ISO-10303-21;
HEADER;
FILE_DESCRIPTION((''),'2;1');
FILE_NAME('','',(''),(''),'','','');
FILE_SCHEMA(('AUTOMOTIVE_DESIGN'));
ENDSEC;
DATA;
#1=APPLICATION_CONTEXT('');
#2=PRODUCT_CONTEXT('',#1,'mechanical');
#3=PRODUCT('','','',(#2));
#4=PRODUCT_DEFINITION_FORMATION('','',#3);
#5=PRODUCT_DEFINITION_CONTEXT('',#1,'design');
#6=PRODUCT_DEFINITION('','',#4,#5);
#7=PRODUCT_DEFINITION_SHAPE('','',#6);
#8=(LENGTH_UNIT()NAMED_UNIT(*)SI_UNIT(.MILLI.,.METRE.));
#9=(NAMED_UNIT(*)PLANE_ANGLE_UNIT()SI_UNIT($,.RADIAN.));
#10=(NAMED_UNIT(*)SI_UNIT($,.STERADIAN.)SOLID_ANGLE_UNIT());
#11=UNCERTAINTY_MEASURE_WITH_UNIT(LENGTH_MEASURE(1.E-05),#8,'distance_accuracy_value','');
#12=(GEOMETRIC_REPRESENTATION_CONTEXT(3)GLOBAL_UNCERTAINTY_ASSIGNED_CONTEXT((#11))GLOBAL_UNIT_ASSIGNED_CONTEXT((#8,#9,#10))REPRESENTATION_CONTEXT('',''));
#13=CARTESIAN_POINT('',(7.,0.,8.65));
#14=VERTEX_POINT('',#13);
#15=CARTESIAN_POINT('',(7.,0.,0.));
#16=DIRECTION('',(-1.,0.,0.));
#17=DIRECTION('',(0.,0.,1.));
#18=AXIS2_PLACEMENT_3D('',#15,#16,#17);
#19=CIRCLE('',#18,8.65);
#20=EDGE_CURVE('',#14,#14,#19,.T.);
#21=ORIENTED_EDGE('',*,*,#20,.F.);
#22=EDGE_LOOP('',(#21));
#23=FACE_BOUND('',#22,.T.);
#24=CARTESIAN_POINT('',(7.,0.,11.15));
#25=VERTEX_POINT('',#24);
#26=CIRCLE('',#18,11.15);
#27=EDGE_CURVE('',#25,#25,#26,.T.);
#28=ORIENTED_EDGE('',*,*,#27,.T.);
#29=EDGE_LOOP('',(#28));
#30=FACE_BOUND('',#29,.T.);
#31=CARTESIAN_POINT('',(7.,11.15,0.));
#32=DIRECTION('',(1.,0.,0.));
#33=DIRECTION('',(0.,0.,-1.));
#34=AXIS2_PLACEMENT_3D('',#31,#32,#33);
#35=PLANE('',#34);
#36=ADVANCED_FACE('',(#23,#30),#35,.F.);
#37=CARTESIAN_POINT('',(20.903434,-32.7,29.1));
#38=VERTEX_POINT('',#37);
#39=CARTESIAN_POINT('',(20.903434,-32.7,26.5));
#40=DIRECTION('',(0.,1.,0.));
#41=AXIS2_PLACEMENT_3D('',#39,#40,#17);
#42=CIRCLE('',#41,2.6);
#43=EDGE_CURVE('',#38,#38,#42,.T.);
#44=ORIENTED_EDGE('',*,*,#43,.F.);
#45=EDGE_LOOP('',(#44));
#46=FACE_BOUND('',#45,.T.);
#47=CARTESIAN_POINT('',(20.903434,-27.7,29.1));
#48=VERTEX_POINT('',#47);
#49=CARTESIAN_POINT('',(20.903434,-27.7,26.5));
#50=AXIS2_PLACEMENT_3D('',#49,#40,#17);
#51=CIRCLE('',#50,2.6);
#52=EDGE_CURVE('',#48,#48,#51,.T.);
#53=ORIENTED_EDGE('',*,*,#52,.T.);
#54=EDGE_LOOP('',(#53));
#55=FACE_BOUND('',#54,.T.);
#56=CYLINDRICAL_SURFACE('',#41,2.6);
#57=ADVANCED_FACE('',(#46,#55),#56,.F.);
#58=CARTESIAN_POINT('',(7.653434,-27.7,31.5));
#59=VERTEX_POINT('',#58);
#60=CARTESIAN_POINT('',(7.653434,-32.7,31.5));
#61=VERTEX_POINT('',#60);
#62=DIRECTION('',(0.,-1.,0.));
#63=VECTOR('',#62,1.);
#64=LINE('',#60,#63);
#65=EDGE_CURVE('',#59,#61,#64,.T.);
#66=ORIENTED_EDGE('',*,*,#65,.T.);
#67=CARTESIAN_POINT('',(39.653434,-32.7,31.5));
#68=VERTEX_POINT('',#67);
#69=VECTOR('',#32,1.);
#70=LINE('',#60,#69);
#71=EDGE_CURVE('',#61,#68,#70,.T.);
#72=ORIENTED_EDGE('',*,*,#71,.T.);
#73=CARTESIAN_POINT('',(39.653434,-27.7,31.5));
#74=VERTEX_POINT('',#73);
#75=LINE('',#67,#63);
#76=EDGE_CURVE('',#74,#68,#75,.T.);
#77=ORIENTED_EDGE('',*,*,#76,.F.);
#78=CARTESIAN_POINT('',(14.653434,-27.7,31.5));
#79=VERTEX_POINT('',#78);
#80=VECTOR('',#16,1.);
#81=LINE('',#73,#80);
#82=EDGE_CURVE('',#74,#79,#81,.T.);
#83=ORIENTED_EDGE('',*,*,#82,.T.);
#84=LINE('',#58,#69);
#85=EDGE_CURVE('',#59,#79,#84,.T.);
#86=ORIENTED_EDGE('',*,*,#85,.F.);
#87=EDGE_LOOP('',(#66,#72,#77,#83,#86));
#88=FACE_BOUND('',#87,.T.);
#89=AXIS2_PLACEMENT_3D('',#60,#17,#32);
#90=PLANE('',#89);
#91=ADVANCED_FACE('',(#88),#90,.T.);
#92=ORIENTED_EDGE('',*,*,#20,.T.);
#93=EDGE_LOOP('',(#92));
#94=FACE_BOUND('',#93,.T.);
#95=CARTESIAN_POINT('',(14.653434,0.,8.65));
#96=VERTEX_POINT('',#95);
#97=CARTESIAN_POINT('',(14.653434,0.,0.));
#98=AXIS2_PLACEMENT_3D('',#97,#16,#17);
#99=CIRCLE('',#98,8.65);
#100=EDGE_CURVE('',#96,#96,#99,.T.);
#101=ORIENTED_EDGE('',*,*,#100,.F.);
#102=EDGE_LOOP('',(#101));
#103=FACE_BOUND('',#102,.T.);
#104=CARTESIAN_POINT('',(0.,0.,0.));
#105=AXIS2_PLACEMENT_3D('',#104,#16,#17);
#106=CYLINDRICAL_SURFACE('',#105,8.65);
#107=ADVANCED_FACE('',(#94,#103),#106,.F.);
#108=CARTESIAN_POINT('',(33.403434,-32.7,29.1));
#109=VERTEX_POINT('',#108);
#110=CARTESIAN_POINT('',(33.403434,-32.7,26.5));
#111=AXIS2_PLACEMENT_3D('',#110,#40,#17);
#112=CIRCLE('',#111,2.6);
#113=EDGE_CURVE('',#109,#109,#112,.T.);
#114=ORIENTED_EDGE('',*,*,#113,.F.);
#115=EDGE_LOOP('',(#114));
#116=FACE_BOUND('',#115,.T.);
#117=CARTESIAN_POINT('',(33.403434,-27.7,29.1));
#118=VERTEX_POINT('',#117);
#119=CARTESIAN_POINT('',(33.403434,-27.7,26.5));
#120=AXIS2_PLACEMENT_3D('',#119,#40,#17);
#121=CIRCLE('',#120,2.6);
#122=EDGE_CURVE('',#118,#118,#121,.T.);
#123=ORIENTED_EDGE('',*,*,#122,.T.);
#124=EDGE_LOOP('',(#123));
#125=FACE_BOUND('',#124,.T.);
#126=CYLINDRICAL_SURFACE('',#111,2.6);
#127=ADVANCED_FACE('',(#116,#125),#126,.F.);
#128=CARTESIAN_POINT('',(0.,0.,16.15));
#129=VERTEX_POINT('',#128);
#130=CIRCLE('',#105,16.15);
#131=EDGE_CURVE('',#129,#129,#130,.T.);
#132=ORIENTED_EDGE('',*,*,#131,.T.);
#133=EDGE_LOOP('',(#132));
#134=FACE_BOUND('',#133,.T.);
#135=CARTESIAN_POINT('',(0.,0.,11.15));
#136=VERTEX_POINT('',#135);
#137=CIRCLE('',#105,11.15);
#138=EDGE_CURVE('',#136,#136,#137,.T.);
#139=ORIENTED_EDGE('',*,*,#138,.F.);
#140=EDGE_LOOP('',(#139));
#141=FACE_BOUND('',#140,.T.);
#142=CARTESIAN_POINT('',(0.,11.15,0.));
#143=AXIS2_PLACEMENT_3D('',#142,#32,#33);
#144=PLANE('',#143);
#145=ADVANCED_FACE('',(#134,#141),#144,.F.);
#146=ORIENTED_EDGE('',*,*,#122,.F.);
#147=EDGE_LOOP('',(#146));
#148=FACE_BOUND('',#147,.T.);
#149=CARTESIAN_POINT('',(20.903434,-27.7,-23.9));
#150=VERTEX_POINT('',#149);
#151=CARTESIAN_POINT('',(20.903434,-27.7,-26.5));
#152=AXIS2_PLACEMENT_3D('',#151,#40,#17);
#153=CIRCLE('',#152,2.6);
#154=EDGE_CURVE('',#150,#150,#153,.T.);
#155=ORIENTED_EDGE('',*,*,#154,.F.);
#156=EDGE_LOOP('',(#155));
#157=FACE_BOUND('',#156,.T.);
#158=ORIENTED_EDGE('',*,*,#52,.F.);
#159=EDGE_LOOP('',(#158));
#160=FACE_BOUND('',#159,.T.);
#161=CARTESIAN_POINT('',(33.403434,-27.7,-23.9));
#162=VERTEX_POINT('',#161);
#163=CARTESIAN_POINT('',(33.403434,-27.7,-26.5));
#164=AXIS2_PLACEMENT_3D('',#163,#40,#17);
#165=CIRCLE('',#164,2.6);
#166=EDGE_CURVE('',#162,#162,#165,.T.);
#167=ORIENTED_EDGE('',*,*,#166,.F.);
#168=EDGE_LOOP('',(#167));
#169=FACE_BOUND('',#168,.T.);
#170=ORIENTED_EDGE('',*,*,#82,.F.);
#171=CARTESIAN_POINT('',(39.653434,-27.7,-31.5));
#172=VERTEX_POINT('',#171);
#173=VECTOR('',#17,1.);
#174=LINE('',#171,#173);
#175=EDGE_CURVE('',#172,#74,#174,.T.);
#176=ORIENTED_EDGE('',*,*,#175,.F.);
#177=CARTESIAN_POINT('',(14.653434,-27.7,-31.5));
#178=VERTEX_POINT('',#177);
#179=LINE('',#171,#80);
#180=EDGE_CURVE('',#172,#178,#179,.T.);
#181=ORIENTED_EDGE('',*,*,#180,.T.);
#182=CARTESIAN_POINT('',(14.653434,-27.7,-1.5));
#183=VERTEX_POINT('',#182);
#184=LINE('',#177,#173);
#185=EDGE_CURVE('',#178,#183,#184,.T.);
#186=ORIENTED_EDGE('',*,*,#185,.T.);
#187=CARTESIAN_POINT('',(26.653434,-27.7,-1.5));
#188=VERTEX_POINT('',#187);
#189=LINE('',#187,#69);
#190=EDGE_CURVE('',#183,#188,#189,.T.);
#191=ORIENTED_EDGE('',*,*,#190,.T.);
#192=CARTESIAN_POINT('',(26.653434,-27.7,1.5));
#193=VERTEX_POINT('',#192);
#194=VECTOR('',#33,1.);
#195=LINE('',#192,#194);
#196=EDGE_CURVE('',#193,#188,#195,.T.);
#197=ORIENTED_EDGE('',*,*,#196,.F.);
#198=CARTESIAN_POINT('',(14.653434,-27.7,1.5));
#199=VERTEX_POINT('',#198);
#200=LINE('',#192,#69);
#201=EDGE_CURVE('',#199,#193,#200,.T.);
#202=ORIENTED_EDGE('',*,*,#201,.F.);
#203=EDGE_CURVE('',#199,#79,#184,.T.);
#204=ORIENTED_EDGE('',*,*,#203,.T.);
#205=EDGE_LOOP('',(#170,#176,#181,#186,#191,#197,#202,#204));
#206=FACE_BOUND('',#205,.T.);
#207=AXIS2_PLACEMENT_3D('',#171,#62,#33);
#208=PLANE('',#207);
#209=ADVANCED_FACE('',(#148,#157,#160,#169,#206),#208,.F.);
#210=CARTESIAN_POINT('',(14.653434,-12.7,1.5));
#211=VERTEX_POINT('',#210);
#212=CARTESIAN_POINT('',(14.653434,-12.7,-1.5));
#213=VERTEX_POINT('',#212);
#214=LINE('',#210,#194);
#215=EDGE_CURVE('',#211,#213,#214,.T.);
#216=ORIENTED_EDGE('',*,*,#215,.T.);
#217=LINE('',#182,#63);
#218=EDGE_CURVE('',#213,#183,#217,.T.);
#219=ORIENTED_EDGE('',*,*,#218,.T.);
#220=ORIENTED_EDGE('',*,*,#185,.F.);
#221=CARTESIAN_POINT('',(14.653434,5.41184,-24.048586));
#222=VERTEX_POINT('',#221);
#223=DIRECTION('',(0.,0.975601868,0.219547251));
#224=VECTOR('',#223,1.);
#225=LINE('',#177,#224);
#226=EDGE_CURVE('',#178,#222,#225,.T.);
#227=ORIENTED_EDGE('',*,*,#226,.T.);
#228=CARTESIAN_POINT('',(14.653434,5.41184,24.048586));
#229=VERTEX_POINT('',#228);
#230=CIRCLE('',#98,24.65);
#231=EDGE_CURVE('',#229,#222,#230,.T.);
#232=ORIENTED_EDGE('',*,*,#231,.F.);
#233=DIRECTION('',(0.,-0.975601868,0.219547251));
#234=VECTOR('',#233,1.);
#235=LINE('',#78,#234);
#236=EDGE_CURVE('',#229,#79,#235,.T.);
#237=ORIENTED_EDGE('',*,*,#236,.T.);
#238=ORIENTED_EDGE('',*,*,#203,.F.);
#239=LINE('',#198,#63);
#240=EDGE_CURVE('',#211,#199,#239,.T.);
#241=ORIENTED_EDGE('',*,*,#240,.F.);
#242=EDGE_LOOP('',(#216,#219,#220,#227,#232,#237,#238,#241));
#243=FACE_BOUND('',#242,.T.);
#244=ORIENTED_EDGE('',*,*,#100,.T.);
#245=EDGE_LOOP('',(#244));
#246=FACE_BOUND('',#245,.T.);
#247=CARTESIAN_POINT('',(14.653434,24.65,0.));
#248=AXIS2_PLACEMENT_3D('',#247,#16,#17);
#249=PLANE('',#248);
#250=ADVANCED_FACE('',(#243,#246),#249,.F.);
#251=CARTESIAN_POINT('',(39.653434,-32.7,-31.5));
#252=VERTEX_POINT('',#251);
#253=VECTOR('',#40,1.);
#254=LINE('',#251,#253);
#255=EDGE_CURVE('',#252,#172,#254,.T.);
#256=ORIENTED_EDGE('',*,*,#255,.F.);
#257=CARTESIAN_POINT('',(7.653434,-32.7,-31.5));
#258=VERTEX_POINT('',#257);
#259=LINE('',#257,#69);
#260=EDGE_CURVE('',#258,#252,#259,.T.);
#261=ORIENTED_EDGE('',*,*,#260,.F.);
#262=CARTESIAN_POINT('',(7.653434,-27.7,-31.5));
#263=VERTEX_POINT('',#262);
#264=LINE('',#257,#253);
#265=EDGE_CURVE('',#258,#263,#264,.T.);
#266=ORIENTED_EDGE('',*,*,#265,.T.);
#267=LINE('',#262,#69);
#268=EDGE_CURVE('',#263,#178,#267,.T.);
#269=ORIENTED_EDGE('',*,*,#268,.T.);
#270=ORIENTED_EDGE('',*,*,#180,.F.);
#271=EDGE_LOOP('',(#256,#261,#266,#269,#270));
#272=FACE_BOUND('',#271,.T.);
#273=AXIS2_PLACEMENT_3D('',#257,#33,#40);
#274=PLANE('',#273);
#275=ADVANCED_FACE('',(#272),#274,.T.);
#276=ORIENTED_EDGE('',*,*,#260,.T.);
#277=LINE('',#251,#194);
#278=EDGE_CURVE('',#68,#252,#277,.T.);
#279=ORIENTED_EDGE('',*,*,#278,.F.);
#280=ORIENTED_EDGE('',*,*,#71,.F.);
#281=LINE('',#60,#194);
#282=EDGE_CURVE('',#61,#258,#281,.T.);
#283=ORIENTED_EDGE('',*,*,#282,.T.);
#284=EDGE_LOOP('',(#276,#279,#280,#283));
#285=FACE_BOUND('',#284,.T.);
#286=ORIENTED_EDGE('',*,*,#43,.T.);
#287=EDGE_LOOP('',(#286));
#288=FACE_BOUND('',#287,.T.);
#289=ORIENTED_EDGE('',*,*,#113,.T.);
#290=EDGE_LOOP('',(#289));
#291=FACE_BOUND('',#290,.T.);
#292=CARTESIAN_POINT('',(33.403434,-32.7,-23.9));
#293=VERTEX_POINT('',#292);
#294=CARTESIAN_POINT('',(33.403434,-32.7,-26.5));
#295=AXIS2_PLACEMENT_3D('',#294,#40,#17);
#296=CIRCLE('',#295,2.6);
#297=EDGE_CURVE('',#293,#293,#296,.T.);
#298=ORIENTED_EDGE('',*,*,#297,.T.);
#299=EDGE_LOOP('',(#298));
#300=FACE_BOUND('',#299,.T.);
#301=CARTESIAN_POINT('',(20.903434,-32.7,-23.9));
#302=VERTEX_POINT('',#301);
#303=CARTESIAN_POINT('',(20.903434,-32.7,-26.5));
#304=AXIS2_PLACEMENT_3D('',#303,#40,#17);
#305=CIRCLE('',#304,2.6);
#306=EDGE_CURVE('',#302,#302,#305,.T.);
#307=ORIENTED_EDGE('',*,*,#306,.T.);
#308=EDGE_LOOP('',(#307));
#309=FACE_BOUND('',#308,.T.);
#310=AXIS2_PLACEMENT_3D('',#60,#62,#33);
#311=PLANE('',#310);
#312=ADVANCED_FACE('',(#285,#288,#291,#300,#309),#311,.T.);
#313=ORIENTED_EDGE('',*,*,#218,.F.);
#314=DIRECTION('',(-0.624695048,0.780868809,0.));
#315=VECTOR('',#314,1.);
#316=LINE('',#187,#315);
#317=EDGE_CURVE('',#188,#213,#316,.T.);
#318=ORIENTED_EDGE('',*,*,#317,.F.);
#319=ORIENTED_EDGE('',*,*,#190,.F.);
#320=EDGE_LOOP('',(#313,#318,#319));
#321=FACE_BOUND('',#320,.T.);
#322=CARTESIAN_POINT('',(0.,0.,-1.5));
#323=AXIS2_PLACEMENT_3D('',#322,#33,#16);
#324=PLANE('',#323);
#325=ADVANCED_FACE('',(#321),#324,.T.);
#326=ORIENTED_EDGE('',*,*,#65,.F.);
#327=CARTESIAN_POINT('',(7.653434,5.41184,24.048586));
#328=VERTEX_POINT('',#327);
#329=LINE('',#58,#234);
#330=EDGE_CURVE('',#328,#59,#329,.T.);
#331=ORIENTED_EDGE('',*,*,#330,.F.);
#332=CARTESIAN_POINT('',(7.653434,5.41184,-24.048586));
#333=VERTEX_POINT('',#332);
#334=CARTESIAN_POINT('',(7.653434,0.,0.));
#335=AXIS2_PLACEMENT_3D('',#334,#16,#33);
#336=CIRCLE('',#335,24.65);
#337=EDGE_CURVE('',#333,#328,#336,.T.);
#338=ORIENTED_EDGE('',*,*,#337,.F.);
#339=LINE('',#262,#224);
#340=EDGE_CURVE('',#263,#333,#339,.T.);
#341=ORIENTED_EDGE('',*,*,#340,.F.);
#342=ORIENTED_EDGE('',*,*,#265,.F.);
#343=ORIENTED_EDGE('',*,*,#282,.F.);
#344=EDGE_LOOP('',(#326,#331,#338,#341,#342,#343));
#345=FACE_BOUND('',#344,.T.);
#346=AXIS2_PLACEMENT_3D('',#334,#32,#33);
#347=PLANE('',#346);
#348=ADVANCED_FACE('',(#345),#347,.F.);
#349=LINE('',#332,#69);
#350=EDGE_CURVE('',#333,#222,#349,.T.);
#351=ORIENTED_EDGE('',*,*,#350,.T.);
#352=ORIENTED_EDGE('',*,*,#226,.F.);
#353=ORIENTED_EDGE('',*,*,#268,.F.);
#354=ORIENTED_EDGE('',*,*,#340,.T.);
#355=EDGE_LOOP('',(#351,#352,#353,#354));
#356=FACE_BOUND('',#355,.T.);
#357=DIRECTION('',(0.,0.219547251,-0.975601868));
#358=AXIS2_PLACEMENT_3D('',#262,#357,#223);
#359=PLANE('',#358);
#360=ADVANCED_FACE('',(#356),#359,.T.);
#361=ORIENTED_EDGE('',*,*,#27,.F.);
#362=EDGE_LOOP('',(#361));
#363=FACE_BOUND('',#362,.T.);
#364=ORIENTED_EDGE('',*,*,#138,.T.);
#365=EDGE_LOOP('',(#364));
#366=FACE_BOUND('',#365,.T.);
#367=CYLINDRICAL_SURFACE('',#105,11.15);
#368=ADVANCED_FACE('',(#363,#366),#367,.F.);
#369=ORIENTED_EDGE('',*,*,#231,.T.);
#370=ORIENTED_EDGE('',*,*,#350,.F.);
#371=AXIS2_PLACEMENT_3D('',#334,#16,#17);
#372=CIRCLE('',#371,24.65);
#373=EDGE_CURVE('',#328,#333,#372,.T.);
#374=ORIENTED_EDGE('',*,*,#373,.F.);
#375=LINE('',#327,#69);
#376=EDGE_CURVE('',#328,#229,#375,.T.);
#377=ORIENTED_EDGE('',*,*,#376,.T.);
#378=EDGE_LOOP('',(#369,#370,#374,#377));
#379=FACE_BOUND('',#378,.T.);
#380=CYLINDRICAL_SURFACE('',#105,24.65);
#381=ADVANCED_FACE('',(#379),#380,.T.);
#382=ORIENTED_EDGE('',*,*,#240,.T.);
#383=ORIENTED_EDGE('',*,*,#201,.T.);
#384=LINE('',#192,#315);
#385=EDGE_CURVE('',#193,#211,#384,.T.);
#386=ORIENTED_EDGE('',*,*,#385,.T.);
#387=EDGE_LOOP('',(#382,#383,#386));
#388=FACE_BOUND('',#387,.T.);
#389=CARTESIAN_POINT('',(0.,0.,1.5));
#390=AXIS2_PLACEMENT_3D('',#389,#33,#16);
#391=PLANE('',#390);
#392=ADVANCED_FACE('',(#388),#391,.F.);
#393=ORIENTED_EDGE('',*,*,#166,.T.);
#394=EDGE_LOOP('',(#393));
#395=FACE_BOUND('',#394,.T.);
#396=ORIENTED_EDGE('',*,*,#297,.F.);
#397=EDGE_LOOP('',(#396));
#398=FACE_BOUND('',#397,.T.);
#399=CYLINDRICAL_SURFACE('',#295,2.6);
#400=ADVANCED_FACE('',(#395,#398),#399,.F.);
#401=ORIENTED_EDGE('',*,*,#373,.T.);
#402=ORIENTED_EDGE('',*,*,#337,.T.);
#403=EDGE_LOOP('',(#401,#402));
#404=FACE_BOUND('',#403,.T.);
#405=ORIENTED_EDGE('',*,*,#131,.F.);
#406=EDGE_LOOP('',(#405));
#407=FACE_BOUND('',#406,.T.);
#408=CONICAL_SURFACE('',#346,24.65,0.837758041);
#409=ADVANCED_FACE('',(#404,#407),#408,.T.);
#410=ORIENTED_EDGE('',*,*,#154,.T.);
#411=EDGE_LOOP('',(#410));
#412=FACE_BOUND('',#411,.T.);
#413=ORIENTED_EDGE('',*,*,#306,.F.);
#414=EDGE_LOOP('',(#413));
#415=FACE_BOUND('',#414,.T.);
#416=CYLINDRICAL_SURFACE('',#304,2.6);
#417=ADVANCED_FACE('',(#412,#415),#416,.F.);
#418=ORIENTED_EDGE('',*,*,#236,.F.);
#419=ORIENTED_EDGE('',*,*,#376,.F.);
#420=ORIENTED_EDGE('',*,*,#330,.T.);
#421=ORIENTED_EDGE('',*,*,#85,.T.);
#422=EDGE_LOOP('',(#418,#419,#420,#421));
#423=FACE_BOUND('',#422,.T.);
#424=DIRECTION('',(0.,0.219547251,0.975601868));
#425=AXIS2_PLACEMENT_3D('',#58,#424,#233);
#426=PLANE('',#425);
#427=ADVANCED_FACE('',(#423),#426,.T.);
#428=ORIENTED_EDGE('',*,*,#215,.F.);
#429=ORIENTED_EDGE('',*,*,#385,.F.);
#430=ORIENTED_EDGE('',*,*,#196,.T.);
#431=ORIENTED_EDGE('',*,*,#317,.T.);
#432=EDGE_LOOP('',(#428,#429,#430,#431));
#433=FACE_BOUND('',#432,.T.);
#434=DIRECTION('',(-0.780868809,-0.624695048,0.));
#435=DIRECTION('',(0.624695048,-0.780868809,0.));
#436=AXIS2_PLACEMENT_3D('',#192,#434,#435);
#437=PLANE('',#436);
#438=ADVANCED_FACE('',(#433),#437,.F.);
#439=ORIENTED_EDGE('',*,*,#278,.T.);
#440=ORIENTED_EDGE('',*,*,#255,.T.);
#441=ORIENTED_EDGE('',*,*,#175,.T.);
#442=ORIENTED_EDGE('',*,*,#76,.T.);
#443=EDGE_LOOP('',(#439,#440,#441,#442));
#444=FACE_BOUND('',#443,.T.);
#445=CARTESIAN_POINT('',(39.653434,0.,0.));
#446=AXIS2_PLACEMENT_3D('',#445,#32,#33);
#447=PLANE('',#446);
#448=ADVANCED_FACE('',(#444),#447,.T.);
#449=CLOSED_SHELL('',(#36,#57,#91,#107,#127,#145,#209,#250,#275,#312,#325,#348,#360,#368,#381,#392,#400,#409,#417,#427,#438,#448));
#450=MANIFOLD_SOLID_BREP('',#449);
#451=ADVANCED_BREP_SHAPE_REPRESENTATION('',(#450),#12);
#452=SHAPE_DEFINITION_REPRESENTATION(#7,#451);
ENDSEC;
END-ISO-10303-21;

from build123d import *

# Parameters (mm, degrees)
BOSS_EXTRUDE1_START = -7
BOSS_EXTRUDE1_DEPTH = 7
SKETCH6_W           = 63
SKETCH6_H           = 5
BOSS_EXTRUDE2_DEPTH = 25
SKETCH7_R           = 2.6
CUT_EXTRUDE1_DEPTH  = 73.836579806
BOSS_EXTRUDE3_DEPTH = 1.5


with BuildPart() as part:
    # Sketch4 → Revolve1 (revolve)
    with BuildSketch(Plane.XY, mode=Mode.PRIVATE) as revolve1_sk:
        Polygon((0, 11.15), (7, 11.15), (7, 8.65), (14.653434377, 8.65), (14.653434377, 24.65), (7.653434377, 24.65), (0, 16.15), align=None)
    revolve(revolve1_sk.sketch.rotate(Axis((0, 0, 0), (1, 0, 0)), 90), axis=Axis((0, 0, 0), (1, 0, 0)))

    # Sketch5 → Boss-Extrude1 (add)
    with BuildSketch(Plane(origin=(14.653434377, 0, 0), x_dir=(0, 0, -1), z_dir=(1, 0, 0)).offset(BOSS_EXTRUDE1_START)):
        with BuildLine():
            Line((-31.5, -32.7), (31.5, -32.7))
            Line((31.5, -32.7), (31.5, -27.7))
            Line((31.5, -27.7), (24.048586045, 5.411839727))
            ThreePointArc((24.048586045, 5.411839727), (0, -24.65), (-24.048586045, 5.411839727))
            Line((-24.048586045, 5.411839727), (-31.5, -27.7))
            Line((-31.5, -27.7), (-31.5, -32.7))
        make_face()
    extrude(amount=BOSS_EXTRUDE1_DEPTH)

    # Sketch6 → Boss-Extrude2 (add)
    with BuildSketch(Plane(origin=(14.653434377, 0, 0), x_dir=(0, 0, -1), z_dir=(1, 0, 0))):
        with Locations((0, -30.2)):
            Rectangle(SKETCH6_W, SKETCH6_H)
    extrude(amount=BOSS_EXTRUDE2_DEPTH)

    # Sketch7 → Cut-Extrude1 (cut, through all)
    with BuildSketch(Plane(origin=(0, -27.7, 0), x_dir=(1, 0, 0), z_dir=(0, 1, 0))):
        with Locations(Location((20.903434377, 26.5, 0), (0, 0, 270))):
            Circle(SKETCH7_R)
        with Locations(Location((33.403434377, 26.5, 0), (0, 0, 270))):
            Circle(SKETCH7_R)
        with Locations(Location((33.403434377, -26.5, 0), (0, 0, 270))):
            Circle(SKETCH7_R)
        with Locations(Location((20.903434377, -26.5, 0), (0, 0, 270))):
            Circle(SKETCH7_R)
    extrude(amount=-CUT_EXTRUDE1_DEPTH, mode=Mode.SUBTRACT)

    # Sketch8 → Boss-Extrude3 (add, symmetric)
    with BuildSketch(Plane.XY):
        Polygon((26.653434377, -27.7), (14.653434377, -12.7), (14.653434377, -27.7), align=None)
    extrude(amount=BOSS_EXTRUDE3_DEPTH, both=True)


solid = part.part
